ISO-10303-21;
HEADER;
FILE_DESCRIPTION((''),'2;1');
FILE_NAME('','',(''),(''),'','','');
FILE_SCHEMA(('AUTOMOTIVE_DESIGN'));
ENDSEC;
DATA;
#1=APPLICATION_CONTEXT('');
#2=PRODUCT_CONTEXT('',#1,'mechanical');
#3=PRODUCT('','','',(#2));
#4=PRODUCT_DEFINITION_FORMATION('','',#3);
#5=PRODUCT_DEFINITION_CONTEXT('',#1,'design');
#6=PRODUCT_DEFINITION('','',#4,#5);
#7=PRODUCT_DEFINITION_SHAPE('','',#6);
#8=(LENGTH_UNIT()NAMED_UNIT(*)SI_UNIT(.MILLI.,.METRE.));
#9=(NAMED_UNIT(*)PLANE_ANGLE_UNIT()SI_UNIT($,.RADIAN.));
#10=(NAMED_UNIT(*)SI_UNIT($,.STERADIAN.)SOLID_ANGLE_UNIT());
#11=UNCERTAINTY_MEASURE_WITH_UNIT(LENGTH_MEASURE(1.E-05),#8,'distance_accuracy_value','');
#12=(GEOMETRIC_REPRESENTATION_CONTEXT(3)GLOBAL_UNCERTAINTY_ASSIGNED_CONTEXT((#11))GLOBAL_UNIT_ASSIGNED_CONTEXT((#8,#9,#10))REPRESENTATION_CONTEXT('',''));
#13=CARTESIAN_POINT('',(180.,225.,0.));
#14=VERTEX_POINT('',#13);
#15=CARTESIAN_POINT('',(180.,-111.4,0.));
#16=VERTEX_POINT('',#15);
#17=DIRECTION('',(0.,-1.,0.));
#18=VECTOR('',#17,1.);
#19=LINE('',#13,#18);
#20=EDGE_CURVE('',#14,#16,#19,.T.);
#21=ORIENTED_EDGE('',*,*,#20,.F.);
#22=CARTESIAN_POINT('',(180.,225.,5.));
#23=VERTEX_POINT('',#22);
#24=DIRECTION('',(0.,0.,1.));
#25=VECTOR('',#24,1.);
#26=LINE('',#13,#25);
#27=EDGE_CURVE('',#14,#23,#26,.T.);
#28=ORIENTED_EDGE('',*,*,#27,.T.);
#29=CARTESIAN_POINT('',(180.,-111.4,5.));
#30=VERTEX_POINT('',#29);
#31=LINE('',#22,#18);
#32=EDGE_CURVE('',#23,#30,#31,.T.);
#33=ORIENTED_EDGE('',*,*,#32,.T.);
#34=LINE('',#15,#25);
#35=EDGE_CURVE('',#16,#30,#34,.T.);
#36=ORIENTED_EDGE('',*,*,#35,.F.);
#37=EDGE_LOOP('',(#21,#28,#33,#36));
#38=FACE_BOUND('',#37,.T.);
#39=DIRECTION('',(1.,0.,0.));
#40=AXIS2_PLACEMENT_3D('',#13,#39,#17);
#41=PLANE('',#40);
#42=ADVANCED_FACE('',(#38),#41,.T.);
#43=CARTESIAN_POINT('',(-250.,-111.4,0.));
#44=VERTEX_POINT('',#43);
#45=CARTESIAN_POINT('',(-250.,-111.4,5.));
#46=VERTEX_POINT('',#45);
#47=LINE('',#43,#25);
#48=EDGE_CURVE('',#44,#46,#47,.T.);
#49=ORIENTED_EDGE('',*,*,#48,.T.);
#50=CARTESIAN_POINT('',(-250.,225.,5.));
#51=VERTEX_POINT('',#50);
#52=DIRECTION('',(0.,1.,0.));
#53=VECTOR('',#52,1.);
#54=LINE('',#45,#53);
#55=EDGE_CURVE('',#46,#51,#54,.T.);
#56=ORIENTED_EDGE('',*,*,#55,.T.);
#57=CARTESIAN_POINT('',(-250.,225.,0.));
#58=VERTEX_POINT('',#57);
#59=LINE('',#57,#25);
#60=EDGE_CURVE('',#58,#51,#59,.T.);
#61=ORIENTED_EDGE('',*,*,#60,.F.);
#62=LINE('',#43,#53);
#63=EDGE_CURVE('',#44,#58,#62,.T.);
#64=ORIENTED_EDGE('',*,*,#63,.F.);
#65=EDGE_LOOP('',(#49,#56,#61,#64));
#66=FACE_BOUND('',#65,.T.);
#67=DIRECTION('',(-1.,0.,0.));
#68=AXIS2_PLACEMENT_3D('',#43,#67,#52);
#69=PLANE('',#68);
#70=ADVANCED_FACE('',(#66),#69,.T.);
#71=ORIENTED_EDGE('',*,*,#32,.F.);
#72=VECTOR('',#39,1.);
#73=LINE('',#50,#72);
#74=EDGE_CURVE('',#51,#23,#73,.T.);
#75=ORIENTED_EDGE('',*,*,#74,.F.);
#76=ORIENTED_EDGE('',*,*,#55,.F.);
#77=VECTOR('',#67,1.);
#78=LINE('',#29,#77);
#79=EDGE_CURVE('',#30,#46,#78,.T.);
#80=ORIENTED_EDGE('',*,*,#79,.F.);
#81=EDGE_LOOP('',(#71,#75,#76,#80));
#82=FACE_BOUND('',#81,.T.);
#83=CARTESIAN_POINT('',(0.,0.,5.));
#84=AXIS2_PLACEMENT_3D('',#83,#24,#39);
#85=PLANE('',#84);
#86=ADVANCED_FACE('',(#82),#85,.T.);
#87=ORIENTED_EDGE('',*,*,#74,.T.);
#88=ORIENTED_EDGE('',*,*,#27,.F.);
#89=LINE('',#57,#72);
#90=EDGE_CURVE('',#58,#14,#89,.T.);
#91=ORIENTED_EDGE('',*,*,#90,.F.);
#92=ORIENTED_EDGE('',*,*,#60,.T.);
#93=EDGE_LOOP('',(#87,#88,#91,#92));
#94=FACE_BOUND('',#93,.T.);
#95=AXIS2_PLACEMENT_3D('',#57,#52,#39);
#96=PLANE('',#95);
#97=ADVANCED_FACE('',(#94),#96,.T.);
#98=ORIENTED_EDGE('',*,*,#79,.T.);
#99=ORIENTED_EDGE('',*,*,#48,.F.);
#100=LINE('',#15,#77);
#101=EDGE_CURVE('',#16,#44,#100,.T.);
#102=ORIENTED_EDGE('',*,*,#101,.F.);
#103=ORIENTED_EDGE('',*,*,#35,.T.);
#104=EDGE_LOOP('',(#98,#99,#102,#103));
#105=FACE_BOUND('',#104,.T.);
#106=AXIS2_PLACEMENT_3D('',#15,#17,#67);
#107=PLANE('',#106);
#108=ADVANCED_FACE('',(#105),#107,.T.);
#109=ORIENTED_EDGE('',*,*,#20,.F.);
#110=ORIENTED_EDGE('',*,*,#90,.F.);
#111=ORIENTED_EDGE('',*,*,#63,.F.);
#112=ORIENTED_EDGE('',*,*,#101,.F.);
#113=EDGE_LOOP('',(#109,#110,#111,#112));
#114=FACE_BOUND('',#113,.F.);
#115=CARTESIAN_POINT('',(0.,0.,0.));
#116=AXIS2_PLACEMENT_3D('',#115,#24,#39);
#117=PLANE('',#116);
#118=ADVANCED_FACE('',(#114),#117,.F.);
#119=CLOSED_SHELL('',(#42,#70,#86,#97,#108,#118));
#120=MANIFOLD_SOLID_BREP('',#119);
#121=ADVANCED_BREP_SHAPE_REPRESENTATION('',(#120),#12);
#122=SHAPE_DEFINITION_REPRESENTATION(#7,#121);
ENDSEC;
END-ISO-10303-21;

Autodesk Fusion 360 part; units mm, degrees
sketch "Sketch1" plane through (0, 0, 0) normal (0, 0, 1) x (1, 0, 0)
  line L0 (-250, 225) -> (180, 225)
  line L1 (180, 225) -> (180, -111.4)
  line L2 (180, -111.4) -> (-250, -111.4)
  line L3 (-250, -111.4) -> (-250, 225)
  dimension "d1" = 336.4
  dimension "d2" = 430
extrude "Extrude1" add sketch "Sketch1" along normal blind 5
